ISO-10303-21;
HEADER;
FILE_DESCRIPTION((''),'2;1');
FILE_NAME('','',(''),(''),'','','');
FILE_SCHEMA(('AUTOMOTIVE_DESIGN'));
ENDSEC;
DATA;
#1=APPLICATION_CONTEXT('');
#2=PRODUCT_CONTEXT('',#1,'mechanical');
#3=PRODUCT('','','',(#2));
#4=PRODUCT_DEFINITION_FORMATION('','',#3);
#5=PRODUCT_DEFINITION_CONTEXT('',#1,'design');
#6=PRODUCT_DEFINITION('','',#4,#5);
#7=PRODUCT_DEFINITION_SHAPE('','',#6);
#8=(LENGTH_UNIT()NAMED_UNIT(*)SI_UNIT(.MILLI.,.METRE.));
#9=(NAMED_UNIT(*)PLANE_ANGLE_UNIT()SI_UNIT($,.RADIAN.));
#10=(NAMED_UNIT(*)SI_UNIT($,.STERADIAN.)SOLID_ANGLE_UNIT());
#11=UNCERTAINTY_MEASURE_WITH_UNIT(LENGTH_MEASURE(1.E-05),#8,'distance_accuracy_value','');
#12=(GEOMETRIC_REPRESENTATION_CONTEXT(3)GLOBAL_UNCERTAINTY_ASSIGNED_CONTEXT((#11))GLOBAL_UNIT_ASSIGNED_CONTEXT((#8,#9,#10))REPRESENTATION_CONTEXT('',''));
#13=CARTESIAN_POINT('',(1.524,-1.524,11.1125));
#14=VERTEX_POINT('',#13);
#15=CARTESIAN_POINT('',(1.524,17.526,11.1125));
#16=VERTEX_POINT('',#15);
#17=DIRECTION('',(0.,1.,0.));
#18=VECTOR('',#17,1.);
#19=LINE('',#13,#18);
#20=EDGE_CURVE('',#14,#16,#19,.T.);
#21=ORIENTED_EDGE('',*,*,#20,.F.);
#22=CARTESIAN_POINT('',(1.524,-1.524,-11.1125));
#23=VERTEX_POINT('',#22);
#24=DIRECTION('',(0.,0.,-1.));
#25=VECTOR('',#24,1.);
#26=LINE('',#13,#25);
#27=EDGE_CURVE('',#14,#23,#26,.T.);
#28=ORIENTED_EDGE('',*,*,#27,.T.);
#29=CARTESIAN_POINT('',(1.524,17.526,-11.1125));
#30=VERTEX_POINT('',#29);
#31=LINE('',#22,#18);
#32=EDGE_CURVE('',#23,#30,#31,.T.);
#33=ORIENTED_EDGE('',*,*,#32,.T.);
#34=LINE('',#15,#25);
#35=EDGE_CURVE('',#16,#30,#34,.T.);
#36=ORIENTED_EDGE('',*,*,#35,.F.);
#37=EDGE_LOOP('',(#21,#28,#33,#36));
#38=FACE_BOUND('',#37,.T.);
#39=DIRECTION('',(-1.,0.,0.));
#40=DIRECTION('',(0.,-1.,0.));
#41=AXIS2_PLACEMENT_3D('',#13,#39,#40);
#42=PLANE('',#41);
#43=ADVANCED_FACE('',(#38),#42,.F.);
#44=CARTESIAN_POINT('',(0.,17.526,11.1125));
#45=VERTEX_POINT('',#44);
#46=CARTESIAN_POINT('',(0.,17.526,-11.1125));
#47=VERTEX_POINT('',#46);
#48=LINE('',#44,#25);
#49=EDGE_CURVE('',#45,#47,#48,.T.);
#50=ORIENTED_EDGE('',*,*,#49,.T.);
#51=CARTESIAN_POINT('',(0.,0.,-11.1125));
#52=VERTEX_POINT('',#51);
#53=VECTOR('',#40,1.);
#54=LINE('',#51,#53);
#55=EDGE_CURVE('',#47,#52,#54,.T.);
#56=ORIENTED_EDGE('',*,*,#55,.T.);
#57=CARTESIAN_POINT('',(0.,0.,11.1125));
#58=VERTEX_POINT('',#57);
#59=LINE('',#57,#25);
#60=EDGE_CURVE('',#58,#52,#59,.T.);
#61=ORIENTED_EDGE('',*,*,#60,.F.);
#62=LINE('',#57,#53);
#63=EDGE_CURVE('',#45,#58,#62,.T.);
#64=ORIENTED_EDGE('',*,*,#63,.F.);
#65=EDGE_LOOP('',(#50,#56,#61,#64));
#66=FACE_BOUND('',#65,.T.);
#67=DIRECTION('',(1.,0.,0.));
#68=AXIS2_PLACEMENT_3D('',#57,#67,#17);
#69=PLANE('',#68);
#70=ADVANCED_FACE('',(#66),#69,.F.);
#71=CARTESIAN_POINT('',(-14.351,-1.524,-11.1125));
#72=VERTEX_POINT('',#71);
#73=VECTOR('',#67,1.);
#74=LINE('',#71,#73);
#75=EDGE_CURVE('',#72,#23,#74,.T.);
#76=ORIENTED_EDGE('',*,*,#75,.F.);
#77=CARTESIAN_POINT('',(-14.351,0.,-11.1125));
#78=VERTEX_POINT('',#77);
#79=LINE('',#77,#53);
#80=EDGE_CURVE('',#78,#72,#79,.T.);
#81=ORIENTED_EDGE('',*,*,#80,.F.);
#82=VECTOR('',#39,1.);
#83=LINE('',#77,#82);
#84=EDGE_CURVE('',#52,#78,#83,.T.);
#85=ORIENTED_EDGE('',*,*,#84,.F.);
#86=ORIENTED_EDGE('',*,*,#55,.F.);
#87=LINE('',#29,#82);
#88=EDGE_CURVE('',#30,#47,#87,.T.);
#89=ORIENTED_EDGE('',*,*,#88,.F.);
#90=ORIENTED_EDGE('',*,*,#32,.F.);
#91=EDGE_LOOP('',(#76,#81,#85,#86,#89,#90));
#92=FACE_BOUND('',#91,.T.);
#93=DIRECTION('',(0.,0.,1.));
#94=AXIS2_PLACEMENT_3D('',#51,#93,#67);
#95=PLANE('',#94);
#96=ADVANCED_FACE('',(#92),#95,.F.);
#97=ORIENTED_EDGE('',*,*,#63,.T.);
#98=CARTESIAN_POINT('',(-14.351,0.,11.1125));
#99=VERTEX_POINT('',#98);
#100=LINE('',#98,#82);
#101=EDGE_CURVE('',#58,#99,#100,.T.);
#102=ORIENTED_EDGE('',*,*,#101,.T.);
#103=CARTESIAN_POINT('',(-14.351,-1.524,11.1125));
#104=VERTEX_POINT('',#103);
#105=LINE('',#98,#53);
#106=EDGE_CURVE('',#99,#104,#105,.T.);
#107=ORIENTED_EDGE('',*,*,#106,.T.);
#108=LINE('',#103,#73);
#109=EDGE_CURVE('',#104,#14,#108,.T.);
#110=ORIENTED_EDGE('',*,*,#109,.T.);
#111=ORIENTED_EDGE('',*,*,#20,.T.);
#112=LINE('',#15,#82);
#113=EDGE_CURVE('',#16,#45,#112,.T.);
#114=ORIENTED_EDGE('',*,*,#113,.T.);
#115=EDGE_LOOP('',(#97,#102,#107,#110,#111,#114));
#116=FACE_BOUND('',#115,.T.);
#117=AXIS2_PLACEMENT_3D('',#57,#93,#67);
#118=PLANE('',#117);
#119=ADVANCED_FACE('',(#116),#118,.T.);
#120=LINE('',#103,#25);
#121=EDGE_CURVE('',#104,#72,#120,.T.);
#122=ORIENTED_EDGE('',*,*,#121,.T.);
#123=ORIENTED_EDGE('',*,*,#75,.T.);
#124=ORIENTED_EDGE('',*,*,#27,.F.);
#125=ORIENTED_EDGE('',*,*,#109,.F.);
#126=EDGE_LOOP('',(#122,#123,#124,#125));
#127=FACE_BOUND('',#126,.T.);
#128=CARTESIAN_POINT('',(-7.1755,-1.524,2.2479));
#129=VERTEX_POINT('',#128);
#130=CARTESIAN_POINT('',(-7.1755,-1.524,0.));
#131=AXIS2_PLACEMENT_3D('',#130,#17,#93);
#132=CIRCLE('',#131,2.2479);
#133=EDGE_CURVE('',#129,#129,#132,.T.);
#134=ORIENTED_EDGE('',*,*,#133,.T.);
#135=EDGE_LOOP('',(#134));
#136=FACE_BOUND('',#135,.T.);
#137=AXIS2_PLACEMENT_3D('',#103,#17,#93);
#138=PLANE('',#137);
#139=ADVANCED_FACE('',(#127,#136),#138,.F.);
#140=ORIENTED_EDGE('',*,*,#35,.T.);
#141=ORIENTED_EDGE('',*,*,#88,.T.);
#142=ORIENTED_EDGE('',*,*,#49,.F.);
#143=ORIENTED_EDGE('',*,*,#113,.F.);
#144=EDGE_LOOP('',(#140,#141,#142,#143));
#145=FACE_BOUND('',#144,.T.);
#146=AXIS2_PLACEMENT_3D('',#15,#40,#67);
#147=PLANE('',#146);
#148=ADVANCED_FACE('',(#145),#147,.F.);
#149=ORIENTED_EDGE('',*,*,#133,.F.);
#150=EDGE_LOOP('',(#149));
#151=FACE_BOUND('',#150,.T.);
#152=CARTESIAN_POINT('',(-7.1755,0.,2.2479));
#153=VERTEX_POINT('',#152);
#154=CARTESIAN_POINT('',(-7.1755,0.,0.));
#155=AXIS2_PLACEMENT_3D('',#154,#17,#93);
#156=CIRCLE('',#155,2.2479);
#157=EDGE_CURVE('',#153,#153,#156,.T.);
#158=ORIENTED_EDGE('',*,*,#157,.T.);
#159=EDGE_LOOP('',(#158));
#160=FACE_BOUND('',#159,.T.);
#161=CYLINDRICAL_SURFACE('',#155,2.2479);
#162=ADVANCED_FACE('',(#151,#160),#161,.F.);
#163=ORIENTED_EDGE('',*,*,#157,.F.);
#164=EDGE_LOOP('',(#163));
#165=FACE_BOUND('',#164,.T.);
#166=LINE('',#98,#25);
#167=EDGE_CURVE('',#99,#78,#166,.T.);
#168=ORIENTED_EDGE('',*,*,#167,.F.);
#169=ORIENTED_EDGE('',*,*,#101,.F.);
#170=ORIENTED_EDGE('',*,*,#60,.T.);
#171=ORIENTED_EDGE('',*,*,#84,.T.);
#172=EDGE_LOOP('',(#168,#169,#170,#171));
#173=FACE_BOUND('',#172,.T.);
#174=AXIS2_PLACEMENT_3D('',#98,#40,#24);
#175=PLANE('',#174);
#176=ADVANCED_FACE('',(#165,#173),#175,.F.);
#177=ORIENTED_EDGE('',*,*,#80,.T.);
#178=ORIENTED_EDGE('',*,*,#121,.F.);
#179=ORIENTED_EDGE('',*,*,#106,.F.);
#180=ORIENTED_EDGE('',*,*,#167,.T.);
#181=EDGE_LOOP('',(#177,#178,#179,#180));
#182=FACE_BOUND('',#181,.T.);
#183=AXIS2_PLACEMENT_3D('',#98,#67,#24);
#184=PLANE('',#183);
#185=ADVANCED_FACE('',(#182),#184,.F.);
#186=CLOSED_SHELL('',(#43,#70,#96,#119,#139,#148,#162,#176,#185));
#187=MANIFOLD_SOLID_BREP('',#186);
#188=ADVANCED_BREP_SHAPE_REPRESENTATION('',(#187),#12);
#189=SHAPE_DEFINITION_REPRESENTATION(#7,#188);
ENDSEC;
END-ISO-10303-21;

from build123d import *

# Parameters (mm, degrees)
BOSS_EXTRUDE1_DEPTH       = 11.1125
F_8_CLEARANCE_HOLE1_D     = 4.4958
F_8_CLEARANCE_HOLE1_DEPTH = 31.75
F_8_CLEARANCE_HOLE1_TIP   = 1.350674586


with BuildPart() as part:
    # Sketch1 → Boss-Extrude1 (new, symmetric)
    with BuildSketch(Plane.XY):
        Polygon((-14.351, 0), (0, 0), (0, 17.526), (1.524, 17.526), (1.524, -1.524), (-14.351, -1.524), align=None)
    extrude(amount=BOSS_EXTRUDE1_DEPTH, both=True)

    # #8 Clearance Hole1
    with Locations(Plane(origin=(0, 0, 0), x_dir=(1, 0, 0), z_dir=(0, 1, 0))):
        with Locations((-7.1755, 0)):
            Hole(F_8_CLEARANCE_HOLE1_D / 2, depth=F_8_CLEARANCE_HOLE1_DEPTH)
            with Locations((0, 0, -(F_8_CLEARANCE_HOLE1_DEPTH + F_8_CLEARANCE_HOLE1_TIP / 2))):  # 118° drill point
                Cone(0, F_8_CLEARANCE_HOLE1_D / 2, F_8_CLEARANCE_HOLE1_TIP, mode=Mode.SUBTRACT)


solid = part.part
